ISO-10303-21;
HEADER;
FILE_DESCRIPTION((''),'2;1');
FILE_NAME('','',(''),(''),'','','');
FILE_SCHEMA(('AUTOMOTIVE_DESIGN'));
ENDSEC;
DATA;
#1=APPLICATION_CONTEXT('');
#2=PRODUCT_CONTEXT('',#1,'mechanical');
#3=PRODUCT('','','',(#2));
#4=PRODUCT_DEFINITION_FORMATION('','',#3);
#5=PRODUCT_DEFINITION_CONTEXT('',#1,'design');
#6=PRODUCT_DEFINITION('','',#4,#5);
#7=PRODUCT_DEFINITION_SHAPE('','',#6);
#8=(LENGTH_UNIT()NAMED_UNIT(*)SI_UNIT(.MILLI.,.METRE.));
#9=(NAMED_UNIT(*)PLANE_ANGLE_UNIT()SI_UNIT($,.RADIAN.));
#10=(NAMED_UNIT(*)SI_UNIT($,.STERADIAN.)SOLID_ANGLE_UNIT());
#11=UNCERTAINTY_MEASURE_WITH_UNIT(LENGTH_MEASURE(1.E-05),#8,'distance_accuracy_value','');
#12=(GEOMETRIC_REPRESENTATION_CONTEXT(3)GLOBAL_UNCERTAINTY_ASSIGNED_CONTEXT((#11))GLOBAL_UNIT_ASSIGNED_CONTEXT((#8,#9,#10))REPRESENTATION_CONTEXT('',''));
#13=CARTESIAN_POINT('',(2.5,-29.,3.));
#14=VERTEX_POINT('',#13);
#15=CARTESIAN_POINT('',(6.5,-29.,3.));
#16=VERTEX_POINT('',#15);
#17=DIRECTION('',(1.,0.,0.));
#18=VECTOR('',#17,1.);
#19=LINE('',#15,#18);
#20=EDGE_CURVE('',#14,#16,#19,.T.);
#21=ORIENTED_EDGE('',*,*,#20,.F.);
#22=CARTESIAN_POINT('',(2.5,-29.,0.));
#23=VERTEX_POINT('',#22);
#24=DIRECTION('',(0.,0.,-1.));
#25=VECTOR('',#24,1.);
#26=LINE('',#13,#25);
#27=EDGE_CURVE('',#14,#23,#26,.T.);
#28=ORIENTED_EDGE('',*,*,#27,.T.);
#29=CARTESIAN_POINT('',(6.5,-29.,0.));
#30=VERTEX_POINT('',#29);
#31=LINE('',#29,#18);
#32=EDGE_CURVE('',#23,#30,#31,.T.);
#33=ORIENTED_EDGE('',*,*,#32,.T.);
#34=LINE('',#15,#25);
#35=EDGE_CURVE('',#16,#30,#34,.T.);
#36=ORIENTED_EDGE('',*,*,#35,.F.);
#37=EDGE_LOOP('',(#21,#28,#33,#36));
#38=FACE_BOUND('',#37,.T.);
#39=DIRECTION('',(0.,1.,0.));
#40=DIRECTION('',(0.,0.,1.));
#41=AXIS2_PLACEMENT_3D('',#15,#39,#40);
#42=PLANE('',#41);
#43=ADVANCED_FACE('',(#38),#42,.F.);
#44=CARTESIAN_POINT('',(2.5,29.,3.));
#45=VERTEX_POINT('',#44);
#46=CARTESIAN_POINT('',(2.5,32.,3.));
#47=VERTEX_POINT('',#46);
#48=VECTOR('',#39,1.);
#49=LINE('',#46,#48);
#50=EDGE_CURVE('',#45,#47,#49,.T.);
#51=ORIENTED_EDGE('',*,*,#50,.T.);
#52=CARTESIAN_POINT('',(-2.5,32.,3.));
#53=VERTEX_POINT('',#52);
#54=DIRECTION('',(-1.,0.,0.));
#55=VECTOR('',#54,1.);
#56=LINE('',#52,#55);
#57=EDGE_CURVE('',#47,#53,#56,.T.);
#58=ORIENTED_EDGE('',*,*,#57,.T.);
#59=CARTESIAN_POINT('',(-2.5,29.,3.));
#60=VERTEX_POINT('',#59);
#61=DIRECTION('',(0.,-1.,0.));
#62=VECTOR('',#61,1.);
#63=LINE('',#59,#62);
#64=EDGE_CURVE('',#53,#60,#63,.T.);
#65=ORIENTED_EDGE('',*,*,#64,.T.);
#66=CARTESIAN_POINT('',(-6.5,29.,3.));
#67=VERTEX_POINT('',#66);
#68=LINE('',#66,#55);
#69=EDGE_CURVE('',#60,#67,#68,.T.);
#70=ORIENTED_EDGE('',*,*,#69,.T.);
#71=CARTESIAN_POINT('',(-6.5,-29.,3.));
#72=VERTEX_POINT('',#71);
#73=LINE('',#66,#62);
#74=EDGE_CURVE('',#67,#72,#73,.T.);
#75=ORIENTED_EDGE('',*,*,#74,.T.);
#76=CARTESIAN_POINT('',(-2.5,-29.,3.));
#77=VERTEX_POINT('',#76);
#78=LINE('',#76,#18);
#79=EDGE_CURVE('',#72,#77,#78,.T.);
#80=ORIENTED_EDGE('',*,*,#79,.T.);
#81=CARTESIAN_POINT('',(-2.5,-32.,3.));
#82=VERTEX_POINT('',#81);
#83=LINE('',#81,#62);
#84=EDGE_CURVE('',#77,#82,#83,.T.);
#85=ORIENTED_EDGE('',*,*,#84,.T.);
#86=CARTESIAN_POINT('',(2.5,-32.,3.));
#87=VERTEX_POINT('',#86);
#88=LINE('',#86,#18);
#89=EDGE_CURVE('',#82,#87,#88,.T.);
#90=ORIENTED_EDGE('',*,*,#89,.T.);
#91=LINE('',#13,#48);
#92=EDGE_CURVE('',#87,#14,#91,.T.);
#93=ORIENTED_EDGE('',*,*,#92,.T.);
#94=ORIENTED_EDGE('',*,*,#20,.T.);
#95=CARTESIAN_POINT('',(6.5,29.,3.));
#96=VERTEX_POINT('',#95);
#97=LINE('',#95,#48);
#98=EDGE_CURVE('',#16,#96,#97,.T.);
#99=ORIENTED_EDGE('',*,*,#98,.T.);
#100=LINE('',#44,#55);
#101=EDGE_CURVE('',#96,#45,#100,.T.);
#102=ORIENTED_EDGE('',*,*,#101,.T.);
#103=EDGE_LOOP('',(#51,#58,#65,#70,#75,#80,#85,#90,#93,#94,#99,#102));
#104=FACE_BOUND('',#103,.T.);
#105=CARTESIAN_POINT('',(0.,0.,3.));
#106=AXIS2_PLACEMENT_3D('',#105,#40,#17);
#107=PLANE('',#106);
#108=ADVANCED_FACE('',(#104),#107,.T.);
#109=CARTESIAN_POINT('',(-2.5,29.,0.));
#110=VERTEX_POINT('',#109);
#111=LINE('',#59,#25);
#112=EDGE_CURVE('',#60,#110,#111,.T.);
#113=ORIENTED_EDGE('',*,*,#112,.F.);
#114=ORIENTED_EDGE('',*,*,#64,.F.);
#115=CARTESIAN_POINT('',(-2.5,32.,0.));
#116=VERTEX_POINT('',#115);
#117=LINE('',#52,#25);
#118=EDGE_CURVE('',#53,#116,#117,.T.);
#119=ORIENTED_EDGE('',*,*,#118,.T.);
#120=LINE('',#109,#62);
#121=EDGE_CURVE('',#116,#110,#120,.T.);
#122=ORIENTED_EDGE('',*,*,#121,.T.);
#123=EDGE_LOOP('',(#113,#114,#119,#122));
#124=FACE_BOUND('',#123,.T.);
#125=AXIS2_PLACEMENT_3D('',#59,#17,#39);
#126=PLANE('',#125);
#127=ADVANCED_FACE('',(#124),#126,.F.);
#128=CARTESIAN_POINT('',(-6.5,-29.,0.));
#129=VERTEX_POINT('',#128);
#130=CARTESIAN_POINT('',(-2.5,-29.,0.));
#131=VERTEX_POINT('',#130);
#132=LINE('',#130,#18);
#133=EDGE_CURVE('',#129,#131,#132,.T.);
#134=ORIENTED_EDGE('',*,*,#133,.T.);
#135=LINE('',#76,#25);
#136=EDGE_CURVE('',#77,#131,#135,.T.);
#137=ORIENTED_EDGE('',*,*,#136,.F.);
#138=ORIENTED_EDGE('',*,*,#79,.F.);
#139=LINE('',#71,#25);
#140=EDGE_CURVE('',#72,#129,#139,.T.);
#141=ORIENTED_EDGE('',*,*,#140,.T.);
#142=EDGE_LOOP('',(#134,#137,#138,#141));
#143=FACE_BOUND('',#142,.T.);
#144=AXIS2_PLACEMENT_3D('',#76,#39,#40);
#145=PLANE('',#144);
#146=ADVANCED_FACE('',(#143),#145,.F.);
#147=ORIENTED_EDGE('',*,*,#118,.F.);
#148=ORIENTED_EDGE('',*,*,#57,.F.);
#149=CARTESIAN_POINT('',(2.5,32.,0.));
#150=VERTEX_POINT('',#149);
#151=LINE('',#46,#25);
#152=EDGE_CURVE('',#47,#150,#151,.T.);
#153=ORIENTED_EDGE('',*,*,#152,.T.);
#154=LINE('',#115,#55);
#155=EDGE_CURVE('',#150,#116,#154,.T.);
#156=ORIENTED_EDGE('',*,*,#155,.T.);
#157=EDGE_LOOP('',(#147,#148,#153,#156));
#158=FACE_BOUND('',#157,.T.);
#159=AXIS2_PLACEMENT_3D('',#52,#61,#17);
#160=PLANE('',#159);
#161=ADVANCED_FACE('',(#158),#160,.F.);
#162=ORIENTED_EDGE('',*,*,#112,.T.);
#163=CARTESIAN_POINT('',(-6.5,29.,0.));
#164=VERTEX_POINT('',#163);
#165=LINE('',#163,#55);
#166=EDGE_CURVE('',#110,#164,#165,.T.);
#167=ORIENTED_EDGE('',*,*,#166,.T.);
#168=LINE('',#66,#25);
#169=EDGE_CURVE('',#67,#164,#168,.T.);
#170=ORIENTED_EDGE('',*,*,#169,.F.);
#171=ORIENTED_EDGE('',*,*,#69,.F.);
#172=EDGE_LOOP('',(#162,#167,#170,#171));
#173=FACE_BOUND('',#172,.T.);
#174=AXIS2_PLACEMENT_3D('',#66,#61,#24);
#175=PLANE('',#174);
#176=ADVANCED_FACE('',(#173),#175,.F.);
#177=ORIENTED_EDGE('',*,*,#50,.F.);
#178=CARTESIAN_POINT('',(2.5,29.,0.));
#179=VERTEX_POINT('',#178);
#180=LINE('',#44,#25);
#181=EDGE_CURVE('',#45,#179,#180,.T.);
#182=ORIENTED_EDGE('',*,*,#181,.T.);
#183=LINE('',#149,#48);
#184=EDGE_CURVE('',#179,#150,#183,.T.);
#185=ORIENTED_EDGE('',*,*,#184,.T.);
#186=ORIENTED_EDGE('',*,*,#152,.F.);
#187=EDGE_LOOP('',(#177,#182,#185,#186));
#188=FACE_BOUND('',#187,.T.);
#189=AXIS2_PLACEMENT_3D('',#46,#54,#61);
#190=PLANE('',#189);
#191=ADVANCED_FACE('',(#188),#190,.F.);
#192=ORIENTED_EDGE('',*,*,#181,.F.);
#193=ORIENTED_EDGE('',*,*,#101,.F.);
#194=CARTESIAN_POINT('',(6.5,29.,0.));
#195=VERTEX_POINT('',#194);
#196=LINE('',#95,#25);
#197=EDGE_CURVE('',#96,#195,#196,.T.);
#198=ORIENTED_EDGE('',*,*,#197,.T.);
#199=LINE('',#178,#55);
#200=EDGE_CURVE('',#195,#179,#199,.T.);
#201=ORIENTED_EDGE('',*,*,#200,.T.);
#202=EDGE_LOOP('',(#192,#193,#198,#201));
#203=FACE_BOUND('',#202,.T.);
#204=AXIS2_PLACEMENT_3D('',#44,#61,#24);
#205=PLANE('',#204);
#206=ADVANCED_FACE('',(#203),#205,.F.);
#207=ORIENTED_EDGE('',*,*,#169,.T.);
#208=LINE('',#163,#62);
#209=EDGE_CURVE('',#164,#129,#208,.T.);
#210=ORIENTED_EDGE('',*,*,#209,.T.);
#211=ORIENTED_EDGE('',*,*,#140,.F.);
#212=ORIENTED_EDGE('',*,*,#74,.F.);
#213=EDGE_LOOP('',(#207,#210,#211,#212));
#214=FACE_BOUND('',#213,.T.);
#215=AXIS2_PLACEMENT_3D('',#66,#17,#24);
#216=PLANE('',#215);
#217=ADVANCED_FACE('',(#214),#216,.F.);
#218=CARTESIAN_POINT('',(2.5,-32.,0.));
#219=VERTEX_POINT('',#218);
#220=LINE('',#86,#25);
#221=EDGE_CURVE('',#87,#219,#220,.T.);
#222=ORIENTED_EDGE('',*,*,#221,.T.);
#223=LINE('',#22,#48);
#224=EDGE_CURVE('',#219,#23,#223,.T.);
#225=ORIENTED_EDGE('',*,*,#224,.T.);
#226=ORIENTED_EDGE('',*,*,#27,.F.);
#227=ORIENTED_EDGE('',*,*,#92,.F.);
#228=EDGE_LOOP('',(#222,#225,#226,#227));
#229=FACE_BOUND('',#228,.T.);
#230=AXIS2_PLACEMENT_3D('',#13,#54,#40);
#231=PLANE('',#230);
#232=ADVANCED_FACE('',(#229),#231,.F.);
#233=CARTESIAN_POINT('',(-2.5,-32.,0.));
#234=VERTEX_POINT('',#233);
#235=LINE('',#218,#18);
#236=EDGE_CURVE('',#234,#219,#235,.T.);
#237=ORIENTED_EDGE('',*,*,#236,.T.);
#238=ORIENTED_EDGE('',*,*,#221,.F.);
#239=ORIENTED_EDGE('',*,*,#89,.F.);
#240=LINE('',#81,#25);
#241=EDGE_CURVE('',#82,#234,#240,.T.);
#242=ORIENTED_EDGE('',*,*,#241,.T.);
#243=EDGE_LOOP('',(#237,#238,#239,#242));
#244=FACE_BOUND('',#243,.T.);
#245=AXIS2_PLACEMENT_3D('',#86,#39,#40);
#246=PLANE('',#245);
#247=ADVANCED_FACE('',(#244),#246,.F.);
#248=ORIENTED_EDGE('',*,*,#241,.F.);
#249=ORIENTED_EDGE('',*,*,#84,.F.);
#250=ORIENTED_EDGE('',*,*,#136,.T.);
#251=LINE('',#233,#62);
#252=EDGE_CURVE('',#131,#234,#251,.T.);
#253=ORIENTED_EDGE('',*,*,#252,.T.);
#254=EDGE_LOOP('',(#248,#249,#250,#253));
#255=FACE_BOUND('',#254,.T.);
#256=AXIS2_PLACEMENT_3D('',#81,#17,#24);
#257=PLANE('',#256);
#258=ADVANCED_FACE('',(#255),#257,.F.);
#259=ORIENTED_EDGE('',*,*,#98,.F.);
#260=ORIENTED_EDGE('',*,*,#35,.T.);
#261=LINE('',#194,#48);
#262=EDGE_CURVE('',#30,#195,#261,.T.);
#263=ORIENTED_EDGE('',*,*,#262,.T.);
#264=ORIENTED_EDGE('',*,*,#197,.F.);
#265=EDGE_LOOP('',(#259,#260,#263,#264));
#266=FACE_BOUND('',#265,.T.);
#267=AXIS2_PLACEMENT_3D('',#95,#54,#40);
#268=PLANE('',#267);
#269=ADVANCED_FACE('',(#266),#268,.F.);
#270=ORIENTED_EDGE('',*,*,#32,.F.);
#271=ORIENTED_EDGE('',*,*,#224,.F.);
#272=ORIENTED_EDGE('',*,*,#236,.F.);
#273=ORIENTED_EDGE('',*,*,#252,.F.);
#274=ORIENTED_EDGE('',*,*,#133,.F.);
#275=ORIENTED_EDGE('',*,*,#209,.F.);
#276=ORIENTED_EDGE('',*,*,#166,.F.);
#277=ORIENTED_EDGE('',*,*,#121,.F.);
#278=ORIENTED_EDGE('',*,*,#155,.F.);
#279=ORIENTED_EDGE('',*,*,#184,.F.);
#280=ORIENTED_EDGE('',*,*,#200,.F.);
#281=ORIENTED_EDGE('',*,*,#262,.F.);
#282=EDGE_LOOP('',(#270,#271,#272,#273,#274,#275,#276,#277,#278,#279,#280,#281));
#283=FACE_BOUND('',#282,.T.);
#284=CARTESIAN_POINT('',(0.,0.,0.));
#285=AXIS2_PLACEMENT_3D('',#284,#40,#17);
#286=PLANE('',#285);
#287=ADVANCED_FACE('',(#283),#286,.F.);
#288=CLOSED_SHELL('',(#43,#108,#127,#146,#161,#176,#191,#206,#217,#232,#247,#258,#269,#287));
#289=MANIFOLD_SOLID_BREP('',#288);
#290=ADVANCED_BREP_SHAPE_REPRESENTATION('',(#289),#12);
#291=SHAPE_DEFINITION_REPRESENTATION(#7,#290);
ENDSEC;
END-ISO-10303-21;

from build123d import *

# Parameters (mm, degrees)
SALIENTE_EXTRUIR1_DEPTH = 3


with BuildPart() as part:
    # Croquis1 → Saliente-Extruir1 (new body)
    with BuildSketch(Plane.XY):
        Polygon((-6.5, 29), (-2.5, 29), (-2.5, 32), (2.5, 32), (2.5, 29), (6.5, 29), (6.5, -29), (2.5, -29), (2.5, -32), (-2.5, -32), (-2.5, -29), (-6.5, -29), align=None)
    extrude(amount=SALIENTE_EXTRUIR1_DEPTH)


solid = part.part
